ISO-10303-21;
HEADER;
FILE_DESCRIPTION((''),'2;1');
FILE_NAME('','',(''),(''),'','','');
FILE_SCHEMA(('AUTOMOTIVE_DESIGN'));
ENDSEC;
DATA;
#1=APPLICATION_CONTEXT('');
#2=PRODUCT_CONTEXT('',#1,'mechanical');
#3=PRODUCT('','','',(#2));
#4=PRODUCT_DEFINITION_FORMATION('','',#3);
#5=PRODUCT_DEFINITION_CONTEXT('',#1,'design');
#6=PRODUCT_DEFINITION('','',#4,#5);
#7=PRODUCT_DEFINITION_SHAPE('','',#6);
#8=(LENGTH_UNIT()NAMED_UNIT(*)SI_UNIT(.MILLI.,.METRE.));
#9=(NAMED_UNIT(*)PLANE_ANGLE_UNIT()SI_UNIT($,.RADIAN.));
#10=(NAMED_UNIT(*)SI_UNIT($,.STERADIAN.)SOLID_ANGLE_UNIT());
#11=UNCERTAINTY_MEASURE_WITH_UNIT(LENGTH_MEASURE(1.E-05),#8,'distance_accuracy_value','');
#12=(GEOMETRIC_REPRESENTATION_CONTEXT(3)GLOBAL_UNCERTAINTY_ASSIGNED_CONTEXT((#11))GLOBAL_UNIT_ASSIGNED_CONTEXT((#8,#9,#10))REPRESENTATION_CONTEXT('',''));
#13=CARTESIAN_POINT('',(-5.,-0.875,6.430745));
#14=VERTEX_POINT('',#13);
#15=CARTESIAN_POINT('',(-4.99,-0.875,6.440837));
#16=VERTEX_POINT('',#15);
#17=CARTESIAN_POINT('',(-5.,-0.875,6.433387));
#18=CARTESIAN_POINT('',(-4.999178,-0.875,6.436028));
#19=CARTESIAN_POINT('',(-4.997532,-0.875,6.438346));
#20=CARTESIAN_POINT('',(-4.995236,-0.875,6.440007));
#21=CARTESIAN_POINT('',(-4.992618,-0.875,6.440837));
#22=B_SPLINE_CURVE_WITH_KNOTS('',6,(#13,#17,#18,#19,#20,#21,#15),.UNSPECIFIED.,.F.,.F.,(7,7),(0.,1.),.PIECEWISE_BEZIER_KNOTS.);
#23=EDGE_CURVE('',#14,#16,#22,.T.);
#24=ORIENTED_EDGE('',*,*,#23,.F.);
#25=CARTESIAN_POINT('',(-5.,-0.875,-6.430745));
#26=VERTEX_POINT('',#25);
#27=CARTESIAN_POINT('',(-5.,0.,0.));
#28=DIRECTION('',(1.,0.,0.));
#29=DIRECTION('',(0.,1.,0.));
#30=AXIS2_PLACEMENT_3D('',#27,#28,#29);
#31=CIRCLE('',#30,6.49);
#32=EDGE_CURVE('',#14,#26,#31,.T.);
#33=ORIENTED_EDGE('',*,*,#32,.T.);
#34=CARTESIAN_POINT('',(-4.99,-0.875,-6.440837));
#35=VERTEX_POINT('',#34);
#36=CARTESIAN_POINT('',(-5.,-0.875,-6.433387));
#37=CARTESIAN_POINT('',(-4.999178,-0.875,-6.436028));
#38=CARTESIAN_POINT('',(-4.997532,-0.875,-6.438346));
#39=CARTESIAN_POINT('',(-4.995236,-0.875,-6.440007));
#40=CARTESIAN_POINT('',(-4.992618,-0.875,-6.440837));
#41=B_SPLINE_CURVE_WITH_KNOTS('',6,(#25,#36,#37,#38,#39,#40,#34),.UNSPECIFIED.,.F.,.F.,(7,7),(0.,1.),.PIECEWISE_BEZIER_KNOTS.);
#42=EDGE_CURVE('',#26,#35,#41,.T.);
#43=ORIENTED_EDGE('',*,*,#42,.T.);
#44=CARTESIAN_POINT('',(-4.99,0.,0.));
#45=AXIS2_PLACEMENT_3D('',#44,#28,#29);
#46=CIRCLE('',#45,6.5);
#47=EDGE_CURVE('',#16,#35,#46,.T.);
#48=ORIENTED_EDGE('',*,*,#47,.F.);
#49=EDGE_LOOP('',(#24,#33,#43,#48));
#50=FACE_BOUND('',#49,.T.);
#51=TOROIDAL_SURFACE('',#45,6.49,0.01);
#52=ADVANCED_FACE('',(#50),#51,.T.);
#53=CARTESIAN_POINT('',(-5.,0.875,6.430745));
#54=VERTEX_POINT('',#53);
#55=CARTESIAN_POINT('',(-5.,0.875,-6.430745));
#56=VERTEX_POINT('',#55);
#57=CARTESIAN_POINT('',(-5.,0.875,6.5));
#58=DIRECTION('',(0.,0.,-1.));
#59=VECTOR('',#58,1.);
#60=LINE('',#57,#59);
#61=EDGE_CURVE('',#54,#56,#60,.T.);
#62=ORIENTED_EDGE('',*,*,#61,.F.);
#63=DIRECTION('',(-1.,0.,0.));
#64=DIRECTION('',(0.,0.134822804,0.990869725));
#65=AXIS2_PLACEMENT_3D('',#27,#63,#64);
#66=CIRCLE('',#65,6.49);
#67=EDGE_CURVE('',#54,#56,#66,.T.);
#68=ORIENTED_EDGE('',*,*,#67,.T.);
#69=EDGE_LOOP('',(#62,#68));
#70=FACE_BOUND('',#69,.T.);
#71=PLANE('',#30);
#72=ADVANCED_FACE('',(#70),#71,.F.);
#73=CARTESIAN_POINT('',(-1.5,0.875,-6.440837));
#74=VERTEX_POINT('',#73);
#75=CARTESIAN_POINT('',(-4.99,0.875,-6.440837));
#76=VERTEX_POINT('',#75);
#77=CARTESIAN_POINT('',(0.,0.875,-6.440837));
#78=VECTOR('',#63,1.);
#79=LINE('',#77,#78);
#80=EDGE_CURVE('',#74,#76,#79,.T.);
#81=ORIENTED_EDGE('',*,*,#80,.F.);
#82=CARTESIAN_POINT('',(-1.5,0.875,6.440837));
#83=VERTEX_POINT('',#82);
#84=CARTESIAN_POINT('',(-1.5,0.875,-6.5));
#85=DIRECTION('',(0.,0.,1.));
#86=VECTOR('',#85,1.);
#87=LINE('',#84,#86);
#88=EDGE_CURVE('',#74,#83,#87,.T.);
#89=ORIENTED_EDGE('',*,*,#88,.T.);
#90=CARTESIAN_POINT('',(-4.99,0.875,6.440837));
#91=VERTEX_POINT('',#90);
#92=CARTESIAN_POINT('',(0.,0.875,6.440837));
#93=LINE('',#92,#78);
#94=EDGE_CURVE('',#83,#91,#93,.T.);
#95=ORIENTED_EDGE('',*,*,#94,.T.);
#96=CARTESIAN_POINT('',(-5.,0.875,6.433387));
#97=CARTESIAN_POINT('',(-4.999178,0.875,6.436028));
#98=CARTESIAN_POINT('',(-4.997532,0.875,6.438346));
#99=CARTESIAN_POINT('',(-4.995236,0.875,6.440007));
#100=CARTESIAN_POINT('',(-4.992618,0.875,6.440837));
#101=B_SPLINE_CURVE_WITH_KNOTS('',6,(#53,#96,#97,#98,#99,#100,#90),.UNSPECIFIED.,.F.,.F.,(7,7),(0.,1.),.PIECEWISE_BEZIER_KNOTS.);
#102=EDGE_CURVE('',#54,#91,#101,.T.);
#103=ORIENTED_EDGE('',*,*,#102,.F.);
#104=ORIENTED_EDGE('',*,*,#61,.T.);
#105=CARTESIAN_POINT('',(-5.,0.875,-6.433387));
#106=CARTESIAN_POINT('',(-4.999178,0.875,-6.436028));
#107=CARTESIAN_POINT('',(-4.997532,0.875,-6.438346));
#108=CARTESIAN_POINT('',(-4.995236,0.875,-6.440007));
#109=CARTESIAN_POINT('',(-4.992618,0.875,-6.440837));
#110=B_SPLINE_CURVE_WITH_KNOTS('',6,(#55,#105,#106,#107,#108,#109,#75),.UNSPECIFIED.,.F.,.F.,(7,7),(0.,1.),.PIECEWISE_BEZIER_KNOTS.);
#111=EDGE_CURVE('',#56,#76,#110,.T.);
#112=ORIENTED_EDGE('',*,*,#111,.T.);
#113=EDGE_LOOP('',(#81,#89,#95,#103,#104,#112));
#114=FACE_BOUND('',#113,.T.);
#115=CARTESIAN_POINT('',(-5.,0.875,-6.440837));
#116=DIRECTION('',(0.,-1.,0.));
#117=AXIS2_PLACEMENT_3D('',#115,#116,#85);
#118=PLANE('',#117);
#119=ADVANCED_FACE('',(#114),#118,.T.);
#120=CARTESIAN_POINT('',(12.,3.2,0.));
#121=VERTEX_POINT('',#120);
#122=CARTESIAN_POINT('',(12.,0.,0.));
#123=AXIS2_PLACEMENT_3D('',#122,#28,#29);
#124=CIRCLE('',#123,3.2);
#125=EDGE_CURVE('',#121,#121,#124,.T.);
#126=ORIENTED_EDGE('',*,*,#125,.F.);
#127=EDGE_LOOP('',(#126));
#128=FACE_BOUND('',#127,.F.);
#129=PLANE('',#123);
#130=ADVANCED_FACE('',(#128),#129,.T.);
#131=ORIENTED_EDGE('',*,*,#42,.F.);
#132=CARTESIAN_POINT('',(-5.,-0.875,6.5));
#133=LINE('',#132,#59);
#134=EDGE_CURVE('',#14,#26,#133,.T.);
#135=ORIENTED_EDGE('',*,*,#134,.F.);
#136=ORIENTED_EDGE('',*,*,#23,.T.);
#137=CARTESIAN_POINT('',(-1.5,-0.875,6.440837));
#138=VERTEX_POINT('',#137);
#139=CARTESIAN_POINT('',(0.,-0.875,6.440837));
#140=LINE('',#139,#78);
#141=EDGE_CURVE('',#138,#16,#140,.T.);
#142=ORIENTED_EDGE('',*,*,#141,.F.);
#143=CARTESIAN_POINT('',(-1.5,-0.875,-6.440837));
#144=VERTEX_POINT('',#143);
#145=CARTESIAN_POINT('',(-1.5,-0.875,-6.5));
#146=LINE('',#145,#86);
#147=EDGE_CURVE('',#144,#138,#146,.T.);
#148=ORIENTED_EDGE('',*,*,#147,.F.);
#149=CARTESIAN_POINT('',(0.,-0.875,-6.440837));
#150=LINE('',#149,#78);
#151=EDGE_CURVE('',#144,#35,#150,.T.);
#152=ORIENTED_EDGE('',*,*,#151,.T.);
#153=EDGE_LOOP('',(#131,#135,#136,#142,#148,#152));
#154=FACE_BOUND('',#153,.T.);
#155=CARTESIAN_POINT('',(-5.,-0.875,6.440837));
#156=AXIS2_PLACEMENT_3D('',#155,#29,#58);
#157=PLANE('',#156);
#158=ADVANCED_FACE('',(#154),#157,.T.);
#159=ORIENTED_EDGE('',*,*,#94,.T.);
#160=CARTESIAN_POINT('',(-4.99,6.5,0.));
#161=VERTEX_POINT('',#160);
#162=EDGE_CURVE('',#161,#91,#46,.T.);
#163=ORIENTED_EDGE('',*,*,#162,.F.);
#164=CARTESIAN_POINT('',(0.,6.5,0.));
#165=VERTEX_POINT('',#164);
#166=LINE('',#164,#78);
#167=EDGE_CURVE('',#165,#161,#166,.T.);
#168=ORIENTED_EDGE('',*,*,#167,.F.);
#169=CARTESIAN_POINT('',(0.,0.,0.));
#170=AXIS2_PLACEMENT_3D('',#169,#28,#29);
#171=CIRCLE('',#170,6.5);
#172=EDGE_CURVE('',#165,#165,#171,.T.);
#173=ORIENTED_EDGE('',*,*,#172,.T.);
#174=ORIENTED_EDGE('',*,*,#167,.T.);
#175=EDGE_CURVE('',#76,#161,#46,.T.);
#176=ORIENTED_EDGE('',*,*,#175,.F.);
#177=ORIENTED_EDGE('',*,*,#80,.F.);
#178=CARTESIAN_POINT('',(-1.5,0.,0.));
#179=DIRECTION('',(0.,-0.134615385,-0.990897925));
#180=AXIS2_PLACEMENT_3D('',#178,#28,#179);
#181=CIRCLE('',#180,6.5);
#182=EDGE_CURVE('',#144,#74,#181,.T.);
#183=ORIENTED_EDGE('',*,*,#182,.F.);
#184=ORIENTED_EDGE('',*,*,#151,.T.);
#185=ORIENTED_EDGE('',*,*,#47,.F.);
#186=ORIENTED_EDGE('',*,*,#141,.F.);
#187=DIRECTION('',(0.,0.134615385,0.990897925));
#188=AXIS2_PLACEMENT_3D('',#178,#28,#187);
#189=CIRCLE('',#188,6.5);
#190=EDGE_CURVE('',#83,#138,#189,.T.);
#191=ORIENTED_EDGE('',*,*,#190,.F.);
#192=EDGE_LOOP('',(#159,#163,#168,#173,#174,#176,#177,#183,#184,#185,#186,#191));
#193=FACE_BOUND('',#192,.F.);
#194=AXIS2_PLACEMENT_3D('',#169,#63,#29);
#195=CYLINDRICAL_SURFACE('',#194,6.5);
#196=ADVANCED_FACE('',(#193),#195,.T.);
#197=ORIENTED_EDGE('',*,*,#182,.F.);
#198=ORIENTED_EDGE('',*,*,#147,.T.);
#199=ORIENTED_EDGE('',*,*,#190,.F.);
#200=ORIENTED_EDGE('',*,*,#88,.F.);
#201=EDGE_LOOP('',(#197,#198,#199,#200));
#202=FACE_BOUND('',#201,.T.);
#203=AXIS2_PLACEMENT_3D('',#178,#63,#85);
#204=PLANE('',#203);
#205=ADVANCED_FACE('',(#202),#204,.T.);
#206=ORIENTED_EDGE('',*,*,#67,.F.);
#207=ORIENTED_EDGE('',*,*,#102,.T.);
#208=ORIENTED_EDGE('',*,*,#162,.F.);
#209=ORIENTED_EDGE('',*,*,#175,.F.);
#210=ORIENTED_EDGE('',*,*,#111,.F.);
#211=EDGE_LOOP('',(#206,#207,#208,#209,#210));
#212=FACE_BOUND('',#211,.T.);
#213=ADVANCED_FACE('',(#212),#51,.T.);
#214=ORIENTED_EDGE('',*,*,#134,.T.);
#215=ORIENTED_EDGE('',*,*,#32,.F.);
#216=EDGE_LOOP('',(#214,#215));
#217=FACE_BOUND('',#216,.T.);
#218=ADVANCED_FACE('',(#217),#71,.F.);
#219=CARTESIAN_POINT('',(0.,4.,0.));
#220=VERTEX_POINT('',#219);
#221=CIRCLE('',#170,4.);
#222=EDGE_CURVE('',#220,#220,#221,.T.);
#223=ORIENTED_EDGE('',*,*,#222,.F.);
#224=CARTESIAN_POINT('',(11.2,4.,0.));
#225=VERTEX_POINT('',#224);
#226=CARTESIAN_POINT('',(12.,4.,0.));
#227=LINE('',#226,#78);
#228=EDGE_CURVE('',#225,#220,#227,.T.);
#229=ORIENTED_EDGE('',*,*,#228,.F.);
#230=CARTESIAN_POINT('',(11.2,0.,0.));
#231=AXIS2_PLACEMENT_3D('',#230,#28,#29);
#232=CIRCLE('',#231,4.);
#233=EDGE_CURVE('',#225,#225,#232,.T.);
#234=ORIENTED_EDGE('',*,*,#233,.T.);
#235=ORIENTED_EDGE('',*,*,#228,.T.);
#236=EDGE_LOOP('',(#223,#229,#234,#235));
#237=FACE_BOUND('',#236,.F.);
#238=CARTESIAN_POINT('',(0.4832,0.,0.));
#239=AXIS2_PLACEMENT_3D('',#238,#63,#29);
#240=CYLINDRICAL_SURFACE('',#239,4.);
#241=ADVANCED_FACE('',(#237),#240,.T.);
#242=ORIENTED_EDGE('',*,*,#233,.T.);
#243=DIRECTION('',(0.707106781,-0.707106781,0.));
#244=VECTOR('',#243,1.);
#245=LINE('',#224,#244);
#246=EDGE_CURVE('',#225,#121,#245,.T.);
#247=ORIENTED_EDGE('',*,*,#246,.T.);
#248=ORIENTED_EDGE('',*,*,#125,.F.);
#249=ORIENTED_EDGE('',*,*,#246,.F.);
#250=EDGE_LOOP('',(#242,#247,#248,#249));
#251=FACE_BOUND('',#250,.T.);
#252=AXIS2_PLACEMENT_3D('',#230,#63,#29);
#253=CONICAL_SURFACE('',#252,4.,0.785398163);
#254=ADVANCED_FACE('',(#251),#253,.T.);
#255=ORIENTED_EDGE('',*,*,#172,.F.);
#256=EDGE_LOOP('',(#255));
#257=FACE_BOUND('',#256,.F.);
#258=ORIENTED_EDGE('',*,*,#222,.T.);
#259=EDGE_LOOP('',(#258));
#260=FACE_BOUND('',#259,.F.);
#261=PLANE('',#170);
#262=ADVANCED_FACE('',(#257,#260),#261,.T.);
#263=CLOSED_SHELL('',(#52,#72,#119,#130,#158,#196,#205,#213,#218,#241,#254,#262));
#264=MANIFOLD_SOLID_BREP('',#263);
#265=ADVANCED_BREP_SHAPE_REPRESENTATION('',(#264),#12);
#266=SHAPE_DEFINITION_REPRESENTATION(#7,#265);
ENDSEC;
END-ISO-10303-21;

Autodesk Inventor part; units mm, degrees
ref_plane "YZ Plane" through (0, 0, 0) normal (1, 0, 0) x (0, 1, 0)
ref_plane "XZ Plane" through (0, 0, 0) normal (0, 1, 0) x (-1, 0, 0)
sketch "Эскиз1" plane through (0, 0, 0) normal (0, 0, 1) x (1, 0, 0)
  line L0 (-5, 0) -> (12, 0)
  line L1 (12, 0) -> (12, 4)
  line L2 (12, 4) -> (1.25, 4)
  line L3 (1.25, 4) -> (0.4832, 4)
  line L4 (0.4832, 4) -> (0, 4)
  line L5 (0, 4) -> (0, 6.5)
  line L6 (-8.4, 0) -> (15.4, 0) projected
  line L7 (0, -1.3) -> (0, 7.8) projected
  line L8 (-5, 0) -> (-5, 6.5)
  line L9 (0, 6.5) -> (-5, 6.5)
  dimension "d0" = 12
  dimension "d1" = 10.75
  dimension "d2" = 0.7668
  dimension "d3" = 5
  dimension "d4" = 8
  dimension "d5" = 8
  dimension "d9" = 13
  dimension "d10" = 0
revolve "Базовый элемент" add sketch "Эскиз1" angle 360 about axis through (-5, 0, 0) along (1, 0, 0)
sketch "Эскиз2" plane through (-5, 0, 0) normal (-1, 0, 0) x (0, 0, 1)
  circle A0 centre (0, 0) radius 6.5 projected
  line L0 (0, 0) -> (0, 6.5) projected
  line L1 (-6.5, 0.875) -> (6.5, 0.875)
  line L2 (6.5, 0.875) -> (6.5, -0.875)
  line L3 (6.5, -0.875) -> (-6.5, -0.875)
  line L4 (-6.5, -0.875) -> (-6.5, 0.875)
  line L5 (-6.5, 0) -> (6.5, 0) construction
  line L6 (0, 0.875) -> (0, -0.875) construction
  dimension "d11" = 1.75
  dimension "d12" = 13
fillet "Сопряжение1" radius 0.01 1 edges at (-5, -6.5, 0)
extrude "Паз" cut sketch "Эскиз2" against normal blind 3.5 contours A0 L3 L1 | L2 L3 A0 | A0 L1 L2 | L3 L4 A0 | A0 L4 L1
thread "Резьба" size "M8x1.25" class "6g" standard "ISO Metric profile" length 10.75
chamfer "Chamfer4" distance 0.8 angle 45 1 edges at (12, -4, 0)
ref_plane "Work Plane1" through (30.1625, 0, 0) normal (0, 0, -1) x (1, 0, 0)
equation "\"d11\" = SBR"
equation "\"d12\" = KOD"
equation "\"d13\" = RR"
equation "\"d16\" = STI"
equation "\"d14\" = GEL"
equation "\"d40\" = 0.1 * GD"
equation "\"d0\" = NLG"
equation "\"d1\" = GEL"
equation "\"d2\" = GAL"
equation "\"d3\" = KOH"
equation "\"d4\" = GD"
equation "\"d5\" = BDM"
equation "\"d9\" = KOD"
equation "\"GD\" = NND"
equation "\"NLG\" = 12"
equation "\"GEL\" = 10.75"
equation "\"KOD\" = 13"
equation "\"KOH\" = 5"
equation "\"GAL\" = 0.61345 * PTC"
equation "\"BDM\" = NND"
equation "\"RR\" = 0.01"
equation "\"SBR\" = 1.75"
equation "\"STI\" = 3.5"
equation "\"KEWI\" = 0"
equation "\"GUL\" = 0.61345 * PTC"
equation "\"SPD\" = NND - 1.2269 * PTC"
equation "\"PTC\" = 1.25"
equation "\"THREADDIA\" = 8"
equation "\"TOA\" = 30deg"
equation "\"FAWI\" = 45deg"
equation "\"NND\" = 8"
equation "\"GD1\" = THREADDIA - 1.2269 * PTC"
properties part number "Винт M8-6gx12 ГОСТ 1491-80" material "Сталь, мягкая"
